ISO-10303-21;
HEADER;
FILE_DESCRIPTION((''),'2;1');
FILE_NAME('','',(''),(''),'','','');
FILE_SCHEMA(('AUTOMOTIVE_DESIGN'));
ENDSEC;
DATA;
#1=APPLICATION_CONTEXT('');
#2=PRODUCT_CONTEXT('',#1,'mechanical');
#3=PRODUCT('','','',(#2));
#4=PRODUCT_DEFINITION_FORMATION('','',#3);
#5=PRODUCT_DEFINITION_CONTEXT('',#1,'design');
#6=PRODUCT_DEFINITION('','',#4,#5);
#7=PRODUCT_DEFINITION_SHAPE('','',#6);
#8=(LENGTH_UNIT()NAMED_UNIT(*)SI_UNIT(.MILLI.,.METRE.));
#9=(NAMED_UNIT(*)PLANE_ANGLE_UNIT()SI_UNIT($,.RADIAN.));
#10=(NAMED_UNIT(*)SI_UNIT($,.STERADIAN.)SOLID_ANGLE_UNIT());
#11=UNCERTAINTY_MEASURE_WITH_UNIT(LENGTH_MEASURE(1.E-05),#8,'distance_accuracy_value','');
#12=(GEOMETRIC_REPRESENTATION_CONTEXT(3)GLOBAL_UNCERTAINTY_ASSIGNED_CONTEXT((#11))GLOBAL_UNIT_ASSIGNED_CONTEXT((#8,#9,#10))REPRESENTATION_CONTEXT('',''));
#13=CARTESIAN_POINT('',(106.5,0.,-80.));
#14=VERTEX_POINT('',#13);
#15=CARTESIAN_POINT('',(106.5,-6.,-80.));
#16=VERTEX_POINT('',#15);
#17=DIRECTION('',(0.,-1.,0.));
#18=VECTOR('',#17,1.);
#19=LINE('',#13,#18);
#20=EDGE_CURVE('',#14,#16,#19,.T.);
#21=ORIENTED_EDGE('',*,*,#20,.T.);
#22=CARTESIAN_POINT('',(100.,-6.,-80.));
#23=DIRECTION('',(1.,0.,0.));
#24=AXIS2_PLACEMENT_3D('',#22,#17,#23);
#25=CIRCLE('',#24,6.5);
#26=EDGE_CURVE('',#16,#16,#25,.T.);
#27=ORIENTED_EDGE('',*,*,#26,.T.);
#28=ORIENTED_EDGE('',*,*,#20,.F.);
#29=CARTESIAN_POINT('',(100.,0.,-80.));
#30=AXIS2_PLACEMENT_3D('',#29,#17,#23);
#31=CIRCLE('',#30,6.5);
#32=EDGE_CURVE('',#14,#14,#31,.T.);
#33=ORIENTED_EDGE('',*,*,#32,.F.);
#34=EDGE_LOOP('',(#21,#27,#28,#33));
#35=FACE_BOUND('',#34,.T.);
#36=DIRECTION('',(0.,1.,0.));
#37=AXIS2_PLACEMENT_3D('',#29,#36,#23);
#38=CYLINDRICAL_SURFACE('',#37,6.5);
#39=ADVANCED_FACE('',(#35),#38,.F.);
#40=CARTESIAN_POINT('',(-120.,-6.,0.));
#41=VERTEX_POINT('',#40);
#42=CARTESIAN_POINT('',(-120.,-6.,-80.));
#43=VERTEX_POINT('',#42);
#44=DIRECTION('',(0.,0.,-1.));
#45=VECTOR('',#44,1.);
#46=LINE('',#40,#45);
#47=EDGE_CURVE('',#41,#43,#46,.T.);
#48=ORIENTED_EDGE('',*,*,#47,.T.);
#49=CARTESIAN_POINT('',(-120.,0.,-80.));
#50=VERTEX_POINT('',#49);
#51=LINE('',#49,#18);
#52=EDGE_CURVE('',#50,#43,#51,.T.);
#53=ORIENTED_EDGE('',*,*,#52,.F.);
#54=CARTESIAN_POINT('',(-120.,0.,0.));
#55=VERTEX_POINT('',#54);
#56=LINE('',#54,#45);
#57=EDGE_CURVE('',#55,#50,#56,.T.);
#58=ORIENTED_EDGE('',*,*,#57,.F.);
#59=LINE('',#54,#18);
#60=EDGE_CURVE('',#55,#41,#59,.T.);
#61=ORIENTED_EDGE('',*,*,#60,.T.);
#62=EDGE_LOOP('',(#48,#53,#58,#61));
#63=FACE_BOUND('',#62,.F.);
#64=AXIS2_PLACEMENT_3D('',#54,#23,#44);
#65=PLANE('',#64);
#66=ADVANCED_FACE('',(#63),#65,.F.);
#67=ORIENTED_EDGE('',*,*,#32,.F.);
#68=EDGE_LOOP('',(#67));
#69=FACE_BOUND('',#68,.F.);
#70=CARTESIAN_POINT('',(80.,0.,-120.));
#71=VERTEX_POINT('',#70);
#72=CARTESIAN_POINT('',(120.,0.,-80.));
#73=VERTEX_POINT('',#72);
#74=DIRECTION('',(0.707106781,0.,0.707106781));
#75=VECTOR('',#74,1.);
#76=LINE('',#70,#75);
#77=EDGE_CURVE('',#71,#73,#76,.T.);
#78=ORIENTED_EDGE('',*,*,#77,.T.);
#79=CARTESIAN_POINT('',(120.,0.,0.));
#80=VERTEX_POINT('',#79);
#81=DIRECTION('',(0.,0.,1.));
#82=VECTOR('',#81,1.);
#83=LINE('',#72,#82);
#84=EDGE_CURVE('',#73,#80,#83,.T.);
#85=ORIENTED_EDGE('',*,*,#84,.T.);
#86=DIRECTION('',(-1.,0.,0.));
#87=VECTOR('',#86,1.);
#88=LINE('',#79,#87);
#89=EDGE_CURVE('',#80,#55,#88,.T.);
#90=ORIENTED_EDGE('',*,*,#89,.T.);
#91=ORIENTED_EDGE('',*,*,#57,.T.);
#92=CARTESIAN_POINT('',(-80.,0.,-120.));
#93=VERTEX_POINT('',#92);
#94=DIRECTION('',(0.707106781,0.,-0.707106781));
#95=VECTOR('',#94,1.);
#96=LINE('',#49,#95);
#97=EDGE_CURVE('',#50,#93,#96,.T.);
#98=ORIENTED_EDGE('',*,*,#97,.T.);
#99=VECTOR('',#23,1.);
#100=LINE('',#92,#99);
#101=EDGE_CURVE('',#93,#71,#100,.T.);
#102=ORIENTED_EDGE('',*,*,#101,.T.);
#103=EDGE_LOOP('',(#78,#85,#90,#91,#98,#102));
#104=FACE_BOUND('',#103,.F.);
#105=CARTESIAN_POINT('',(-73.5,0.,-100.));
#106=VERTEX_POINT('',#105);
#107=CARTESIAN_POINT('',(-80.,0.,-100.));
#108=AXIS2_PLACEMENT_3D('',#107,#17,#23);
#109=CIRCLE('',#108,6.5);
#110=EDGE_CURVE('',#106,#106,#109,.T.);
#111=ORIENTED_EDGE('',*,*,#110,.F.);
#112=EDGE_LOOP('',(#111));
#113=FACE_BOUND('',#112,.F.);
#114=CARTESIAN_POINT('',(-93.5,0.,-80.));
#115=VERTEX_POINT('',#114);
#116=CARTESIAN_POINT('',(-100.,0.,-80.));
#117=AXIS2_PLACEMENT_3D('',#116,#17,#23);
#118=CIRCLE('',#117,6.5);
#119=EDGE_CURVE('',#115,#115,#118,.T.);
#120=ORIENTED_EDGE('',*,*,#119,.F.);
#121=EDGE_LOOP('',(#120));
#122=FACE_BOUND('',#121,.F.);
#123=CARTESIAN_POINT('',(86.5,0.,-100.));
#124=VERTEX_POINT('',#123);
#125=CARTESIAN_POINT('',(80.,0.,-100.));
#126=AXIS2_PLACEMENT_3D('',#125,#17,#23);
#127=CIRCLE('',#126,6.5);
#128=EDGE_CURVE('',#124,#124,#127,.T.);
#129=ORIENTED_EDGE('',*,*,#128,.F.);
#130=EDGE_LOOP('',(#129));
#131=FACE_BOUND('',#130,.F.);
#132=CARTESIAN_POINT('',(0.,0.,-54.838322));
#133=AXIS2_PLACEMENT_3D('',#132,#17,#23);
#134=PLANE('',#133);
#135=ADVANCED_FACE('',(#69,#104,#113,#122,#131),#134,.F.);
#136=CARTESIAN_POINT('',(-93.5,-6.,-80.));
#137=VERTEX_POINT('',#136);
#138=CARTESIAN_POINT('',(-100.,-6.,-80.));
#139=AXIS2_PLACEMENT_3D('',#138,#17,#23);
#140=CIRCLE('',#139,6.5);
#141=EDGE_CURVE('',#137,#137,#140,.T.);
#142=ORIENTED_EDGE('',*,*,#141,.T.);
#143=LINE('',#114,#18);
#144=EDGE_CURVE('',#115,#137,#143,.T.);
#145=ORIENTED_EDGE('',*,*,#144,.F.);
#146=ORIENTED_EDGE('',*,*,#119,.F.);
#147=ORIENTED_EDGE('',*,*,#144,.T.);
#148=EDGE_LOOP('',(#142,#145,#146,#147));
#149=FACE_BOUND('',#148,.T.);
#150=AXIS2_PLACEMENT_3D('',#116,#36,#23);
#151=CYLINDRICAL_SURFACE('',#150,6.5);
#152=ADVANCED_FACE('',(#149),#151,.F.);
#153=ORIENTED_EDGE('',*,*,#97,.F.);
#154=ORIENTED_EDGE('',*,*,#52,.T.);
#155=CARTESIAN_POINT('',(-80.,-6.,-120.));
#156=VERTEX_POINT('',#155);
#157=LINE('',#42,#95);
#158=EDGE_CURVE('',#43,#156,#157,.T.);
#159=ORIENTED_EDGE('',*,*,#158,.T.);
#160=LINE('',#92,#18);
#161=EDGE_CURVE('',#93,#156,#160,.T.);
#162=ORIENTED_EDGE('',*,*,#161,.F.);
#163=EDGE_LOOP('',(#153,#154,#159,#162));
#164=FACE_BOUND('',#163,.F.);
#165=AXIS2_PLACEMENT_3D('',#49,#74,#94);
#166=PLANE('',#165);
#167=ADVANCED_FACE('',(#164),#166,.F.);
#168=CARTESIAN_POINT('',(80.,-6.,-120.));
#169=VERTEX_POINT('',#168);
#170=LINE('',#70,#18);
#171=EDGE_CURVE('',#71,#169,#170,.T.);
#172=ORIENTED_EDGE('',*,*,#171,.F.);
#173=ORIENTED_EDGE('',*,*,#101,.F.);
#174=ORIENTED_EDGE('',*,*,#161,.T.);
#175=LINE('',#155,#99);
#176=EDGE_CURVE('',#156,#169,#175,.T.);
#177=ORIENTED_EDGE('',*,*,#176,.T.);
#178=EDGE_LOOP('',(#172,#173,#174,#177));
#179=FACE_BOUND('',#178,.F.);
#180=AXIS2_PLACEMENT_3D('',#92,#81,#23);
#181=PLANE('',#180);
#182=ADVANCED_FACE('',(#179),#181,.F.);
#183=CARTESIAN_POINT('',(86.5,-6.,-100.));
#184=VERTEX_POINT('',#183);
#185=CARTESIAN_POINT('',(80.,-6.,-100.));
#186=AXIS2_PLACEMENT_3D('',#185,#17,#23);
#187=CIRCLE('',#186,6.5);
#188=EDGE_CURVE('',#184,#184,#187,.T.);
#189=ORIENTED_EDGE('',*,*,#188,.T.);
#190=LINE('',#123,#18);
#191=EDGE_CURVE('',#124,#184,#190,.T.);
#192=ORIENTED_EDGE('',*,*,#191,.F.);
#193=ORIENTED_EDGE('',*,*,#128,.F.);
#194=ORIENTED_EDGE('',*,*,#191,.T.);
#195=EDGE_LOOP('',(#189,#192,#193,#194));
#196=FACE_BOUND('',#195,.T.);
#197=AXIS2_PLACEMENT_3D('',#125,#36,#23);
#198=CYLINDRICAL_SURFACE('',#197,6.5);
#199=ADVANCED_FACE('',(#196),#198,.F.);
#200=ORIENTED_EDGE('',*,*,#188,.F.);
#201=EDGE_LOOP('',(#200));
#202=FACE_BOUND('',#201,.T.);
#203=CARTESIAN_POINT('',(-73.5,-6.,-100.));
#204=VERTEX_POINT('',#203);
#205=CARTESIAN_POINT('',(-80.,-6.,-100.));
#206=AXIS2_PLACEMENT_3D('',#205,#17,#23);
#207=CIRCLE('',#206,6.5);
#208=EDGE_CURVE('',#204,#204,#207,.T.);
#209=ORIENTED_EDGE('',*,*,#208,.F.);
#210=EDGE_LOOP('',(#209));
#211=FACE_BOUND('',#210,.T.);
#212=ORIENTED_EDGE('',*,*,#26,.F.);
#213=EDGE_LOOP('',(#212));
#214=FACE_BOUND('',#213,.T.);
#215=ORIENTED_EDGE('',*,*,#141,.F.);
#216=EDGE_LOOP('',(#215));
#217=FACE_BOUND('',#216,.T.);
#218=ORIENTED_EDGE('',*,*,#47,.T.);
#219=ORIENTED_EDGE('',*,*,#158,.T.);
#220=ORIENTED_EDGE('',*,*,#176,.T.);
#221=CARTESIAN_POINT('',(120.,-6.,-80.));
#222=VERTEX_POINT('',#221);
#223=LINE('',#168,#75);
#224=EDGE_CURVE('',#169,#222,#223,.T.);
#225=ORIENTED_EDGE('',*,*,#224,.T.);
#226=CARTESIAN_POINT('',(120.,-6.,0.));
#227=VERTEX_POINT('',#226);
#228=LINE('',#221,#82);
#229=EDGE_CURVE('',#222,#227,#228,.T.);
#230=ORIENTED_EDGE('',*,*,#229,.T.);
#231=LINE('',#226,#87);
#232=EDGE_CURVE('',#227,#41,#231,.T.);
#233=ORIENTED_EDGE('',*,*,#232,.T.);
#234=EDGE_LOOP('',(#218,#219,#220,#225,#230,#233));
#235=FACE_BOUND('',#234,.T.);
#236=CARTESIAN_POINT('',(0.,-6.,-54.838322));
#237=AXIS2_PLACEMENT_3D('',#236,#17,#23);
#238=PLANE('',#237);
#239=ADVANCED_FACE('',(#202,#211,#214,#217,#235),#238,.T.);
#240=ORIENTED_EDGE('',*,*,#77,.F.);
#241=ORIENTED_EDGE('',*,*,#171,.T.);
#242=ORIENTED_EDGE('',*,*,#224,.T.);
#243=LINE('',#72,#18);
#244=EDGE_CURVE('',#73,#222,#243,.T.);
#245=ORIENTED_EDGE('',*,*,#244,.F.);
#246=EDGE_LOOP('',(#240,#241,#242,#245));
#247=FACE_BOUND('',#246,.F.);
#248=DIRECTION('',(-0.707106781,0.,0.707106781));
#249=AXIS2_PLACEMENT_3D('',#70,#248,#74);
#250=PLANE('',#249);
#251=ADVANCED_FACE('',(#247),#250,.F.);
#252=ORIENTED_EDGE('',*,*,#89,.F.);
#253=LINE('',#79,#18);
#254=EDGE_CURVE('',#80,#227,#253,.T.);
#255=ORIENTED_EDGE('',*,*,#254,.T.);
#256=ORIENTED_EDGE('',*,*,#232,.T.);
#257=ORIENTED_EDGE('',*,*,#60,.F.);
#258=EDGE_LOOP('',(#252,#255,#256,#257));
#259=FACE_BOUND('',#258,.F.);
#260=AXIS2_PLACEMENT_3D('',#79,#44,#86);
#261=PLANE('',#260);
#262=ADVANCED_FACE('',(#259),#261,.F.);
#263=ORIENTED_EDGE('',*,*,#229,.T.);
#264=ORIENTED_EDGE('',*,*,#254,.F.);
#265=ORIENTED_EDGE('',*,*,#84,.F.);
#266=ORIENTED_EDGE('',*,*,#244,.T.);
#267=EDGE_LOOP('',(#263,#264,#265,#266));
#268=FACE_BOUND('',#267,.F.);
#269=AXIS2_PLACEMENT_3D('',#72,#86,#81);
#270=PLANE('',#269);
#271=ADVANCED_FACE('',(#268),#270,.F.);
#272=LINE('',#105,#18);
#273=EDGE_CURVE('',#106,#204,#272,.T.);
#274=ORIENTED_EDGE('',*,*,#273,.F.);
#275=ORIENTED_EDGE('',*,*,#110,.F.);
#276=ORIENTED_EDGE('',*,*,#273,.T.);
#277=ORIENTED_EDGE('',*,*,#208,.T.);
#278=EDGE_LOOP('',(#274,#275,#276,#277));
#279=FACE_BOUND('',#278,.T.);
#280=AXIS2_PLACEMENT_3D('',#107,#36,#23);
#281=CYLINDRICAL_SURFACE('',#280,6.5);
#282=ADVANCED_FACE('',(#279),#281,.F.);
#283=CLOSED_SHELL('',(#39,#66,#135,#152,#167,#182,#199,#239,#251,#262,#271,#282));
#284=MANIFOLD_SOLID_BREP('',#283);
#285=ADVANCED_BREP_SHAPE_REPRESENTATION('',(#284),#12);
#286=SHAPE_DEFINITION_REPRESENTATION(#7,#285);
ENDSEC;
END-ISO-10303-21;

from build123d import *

# Parameters (mm, degrees)
F0_R     = 6.5
F1_DEPTH = 6


with BuildPart() as f1:
    # F0 (on Front) → F1 (new body)
    with BuildSketch(Plane.XZ):
        Polygon((120, 0), (-120, 0), (-120, -80), (-80, -120), (80, -120), (120, -80), align=None)
        with Locations((-80, -100)):
            Circle(F0_R, mode=Mode.SUBTRACT)
        with Locations((-100, -80)):
            Circle(F0_R, mode=Mode.SUBTRACT)
        with Locations((80, -100)):
            Circle(F0_R, mode=Mode.SUBTRACT)
        with Locations((100, -80)):
            Circle(F0_R, mode=Mode.SUBTRACT)
    extrude(amount=F1_DEPTH)


solid = f1.part
